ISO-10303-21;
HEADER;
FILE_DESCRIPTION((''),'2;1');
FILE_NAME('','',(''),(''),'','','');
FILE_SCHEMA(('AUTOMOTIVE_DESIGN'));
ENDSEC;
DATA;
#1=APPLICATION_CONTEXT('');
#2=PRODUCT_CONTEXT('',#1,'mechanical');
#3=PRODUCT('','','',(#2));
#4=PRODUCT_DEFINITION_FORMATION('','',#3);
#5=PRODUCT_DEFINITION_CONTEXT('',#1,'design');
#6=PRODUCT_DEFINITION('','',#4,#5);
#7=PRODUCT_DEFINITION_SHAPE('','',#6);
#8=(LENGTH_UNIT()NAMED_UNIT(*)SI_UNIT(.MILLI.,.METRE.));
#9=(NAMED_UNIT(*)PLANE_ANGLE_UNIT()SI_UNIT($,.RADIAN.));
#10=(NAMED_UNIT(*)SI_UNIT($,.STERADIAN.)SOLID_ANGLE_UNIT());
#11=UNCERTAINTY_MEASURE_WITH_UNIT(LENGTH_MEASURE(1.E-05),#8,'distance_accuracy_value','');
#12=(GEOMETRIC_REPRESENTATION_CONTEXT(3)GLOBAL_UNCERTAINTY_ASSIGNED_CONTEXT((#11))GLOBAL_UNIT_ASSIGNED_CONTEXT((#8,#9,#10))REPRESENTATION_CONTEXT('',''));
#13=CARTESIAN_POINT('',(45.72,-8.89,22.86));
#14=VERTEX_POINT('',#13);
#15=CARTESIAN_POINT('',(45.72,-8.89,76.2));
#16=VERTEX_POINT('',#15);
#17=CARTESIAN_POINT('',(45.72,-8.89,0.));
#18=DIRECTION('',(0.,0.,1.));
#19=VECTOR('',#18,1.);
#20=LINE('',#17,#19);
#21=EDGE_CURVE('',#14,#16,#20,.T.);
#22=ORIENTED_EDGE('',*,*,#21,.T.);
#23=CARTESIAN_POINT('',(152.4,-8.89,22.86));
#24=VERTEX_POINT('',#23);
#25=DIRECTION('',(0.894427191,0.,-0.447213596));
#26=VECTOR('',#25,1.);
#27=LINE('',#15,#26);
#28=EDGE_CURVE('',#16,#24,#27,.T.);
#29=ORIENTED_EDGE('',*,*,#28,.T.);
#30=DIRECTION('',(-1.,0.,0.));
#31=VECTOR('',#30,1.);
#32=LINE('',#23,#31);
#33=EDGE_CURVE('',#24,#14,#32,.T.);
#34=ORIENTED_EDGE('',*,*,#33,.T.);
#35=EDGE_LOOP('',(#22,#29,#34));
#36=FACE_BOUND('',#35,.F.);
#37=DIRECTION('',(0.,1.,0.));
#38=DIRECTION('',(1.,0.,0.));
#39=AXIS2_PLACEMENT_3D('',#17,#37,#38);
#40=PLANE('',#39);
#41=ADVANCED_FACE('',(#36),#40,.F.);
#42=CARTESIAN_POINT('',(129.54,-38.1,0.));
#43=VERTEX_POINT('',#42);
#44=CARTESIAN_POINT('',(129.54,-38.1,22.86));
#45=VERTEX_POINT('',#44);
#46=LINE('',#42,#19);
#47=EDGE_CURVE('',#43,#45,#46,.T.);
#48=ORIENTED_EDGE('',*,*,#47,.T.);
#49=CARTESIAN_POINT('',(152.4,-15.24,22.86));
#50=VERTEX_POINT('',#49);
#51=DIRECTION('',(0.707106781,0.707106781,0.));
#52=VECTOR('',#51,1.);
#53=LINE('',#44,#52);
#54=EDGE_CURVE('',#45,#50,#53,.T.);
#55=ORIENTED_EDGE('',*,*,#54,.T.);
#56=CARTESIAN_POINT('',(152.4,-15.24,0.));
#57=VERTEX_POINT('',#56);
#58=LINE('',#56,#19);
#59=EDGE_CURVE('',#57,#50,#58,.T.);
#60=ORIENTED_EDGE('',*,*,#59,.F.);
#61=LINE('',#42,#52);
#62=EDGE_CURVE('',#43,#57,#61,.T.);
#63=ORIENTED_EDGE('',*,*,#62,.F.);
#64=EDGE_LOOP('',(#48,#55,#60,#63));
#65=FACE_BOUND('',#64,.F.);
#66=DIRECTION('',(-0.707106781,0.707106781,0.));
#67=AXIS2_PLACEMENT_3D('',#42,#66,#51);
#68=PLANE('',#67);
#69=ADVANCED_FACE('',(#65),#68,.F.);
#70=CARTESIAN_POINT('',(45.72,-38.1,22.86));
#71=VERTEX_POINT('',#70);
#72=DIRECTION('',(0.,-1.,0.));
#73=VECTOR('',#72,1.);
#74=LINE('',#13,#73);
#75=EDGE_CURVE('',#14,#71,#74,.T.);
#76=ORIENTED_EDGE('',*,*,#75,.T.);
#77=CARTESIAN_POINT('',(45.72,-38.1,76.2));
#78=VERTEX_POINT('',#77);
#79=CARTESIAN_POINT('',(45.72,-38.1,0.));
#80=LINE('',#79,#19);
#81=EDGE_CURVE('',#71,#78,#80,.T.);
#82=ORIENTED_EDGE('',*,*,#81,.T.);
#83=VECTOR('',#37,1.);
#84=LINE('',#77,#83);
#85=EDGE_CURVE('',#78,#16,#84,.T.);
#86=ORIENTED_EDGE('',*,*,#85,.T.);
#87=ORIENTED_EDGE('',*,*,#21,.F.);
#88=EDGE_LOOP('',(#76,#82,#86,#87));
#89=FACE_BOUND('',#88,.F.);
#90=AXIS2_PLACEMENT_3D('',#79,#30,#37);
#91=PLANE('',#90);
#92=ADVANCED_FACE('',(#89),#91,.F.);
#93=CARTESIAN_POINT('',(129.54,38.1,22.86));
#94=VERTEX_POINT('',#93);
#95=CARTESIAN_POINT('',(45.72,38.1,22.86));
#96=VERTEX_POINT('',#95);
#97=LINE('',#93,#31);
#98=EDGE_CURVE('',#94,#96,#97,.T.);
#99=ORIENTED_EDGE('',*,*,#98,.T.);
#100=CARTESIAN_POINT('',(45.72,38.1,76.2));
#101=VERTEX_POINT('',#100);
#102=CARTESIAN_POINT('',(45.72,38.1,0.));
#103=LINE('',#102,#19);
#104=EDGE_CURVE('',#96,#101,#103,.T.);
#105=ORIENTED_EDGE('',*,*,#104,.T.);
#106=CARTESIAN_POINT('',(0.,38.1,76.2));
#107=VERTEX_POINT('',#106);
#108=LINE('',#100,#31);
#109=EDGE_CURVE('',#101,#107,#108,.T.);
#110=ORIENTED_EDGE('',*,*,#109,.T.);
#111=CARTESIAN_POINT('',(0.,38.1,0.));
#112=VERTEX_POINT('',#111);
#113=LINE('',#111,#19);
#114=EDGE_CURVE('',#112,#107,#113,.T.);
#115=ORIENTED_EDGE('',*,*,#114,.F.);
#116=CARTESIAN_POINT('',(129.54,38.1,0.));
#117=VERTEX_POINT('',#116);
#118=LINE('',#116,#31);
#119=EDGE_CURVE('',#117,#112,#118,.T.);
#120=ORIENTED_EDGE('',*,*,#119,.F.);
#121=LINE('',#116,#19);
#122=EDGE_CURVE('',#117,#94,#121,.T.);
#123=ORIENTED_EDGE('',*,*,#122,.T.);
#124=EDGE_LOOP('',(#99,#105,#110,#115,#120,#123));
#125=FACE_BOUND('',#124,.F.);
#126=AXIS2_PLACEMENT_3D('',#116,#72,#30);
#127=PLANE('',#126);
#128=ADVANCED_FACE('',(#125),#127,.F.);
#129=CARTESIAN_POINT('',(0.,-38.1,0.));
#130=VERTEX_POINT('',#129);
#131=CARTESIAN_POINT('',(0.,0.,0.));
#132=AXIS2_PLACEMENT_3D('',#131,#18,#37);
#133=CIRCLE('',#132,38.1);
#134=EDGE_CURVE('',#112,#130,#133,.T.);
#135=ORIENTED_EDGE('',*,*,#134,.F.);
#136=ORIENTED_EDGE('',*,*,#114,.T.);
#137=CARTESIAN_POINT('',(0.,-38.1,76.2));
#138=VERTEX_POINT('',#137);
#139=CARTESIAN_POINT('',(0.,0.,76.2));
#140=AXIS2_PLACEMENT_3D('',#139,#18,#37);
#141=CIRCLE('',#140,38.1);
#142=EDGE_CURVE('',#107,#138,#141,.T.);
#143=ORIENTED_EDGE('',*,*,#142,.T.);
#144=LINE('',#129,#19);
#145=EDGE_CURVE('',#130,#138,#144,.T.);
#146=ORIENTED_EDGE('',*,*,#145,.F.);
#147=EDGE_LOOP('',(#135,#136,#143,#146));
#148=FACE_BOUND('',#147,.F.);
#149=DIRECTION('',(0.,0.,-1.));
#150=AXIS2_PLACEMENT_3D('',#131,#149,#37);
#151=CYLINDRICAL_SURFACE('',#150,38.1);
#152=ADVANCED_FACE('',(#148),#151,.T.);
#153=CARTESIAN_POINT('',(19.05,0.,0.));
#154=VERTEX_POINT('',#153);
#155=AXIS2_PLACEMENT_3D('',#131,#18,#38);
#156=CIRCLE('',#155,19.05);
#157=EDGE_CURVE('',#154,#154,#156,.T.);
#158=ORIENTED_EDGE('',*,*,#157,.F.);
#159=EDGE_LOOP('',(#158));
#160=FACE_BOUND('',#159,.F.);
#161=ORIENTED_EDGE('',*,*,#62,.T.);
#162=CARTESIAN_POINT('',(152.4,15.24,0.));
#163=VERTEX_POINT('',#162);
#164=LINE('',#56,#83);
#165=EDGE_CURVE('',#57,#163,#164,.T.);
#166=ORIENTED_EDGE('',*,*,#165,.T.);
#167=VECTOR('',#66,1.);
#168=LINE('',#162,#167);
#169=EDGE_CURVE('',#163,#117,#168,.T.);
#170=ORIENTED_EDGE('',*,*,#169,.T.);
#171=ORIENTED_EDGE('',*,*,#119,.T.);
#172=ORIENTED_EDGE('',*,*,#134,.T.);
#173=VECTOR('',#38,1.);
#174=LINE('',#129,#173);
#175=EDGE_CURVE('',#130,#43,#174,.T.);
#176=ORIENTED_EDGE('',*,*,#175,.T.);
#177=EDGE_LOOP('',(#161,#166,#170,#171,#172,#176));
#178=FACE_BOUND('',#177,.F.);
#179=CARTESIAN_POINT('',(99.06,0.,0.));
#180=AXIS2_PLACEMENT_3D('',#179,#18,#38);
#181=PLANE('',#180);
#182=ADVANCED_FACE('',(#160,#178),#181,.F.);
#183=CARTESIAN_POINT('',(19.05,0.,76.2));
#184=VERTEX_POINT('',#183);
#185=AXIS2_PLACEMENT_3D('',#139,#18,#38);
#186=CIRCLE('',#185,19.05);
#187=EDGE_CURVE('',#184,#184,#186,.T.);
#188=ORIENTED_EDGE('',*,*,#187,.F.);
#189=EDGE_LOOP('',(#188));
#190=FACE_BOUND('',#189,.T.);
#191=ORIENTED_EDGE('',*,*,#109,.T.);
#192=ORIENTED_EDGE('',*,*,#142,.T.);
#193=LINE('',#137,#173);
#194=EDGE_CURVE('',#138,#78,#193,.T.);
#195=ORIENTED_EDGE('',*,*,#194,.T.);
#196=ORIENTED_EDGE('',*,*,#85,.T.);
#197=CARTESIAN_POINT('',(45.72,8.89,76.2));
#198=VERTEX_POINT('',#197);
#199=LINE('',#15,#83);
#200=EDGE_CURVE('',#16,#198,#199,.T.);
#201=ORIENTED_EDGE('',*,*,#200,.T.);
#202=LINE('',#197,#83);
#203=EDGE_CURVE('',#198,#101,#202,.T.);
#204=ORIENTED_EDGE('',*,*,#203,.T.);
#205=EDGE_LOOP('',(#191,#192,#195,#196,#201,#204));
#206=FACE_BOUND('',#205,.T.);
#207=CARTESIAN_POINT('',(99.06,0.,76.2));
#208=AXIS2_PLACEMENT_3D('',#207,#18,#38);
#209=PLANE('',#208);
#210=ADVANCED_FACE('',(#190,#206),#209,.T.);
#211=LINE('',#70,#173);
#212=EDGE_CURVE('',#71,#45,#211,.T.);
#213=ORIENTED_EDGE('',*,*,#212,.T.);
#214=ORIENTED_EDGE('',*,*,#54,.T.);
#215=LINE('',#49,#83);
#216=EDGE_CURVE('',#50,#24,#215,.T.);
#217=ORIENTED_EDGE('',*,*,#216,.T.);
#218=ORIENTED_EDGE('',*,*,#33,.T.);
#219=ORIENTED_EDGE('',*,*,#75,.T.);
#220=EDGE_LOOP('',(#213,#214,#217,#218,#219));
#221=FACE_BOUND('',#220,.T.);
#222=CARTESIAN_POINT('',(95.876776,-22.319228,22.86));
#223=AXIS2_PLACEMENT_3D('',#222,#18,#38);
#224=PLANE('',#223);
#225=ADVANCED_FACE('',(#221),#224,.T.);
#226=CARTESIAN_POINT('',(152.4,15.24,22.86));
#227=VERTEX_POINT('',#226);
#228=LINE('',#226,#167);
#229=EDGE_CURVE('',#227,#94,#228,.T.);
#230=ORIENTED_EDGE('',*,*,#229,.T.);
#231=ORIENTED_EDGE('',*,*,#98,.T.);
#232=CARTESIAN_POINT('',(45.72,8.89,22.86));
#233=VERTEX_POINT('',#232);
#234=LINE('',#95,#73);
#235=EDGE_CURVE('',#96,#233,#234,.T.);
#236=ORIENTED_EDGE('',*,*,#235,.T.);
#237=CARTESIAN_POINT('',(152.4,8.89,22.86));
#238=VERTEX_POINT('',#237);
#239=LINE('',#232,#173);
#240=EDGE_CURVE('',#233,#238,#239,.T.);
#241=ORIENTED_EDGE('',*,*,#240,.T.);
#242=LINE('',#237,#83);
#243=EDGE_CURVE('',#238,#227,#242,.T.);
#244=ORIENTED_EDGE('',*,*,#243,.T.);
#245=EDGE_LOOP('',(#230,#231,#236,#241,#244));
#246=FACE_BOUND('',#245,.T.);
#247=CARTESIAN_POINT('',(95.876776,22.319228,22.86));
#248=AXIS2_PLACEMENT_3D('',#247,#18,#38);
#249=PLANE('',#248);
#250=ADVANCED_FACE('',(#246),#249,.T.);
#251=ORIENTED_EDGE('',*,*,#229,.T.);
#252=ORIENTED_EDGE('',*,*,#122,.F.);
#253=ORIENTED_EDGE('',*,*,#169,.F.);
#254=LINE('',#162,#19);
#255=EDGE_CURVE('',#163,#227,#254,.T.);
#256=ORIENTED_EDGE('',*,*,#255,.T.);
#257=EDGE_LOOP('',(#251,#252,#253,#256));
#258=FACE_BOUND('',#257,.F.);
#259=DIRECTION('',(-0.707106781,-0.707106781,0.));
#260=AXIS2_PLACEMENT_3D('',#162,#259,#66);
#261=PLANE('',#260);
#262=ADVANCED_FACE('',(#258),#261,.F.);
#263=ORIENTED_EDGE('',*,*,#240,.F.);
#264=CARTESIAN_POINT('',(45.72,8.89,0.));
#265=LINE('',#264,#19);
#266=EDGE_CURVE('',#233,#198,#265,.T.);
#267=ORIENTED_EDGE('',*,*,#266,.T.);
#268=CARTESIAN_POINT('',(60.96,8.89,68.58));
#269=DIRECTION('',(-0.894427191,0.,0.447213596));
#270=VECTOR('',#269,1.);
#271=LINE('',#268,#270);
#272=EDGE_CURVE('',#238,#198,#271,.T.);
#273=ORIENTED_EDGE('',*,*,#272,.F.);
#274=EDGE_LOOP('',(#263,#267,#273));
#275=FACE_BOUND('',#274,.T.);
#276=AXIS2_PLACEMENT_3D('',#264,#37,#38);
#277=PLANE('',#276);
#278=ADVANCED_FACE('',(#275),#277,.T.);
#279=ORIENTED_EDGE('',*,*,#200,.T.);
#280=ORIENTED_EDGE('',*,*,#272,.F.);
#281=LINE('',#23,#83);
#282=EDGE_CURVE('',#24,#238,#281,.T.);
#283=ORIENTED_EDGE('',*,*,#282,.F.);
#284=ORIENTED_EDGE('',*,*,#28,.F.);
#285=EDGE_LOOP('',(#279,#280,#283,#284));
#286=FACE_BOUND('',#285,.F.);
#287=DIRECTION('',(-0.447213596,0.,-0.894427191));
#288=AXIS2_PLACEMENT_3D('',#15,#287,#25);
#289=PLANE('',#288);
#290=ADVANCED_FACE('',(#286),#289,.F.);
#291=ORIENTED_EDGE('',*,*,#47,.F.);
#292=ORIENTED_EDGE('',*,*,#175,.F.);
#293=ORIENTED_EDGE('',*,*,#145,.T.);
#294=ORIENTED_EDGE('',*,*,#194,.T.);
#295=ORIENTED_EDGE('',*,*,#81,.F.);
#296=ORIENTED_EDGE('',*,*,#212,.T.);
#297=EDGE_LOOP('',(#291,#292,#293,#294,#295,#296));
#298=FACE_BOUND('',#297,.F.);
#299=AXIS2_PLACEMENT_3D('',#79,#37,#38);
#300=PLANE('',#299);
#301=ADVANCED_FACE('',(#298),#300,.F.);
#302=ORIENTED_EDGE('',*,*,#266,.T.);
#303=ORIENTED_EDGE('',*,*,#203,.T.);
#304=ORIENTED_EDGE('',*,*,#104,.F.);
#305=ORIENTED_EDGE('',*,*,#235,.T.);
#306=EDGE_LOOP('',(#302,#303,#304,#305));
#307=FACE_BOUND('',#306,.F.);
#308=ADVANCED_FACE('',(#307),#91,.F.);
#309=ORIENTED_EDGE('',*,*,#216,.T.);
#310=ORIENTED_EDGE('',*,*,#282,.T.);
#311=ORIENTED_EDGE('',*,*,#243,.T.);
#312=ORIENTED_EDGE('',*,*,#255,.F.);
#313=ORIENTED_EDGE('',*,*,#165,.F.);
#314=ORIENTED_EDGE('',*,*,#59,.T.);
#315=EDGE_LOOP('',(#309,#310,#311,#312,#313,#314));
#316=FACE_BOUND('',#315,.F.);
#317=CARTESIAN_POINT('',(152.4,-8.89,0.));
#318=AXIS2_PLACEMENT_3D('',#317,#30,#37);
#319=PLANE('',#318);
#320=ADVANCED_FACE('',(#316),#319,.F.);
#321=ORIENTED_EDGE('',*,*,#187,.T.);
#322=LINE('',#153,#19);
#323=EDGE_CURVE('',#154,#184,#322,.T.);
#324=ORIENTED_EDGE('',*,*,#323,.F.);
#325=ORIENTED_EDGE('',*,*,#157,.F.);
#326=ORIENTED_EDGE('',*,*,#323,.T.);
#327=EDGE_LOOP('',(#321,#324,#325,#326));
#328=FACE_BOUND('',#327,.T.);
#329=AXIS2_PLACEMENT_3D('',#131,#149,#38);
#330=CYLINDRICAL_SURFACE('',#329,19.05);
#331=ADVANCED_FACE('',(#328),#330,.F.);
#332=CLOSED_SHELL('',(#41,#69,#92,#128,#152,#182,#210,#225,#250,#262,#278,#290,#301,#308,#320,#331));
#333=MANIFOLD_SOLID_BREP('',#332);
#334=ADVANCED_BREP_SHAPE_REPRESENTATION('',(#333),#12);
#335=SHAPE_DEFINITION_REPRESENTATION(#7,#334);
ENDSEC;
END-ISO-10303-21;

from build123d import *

# Parameters (mm, degrees)
F0_R     = 19.05
F1_DEPTH = 76.2
F2_DEPTH = 22.86
F3_DEPTH = 22.86
F0_W     = 106.68
F0_H     = 17.78
F4_DEPTH = 76.2
F6_DEPTH = 25.4


with BuildPart() as f1:
    # F0 (on Top) → F1 (new body)
    with BuildSketch(Plane.XY):
        with BuildLine():
            Line((45.72, 38.1), (0, 38.1))
            ThreePointArc((0, 38.1), (-38.1, 0), (0, -38.1))
            Line((0, -38.1), (45.72, -38.1))
            Line((45.72, -38.1), (45.72, -8.89))
            Line((45.72, -8.89), (45.72, 8.89))
            Line((45.72, 8.89), (45.72, 38.1))
        make_face()
        Circle(F0_R, mode=Mode.SUBTRACT)
    extrude(amount=F1_DEPTH)

    # F0 (on Top) → F2 (join)
    with BuildSketch(Plane.XY):
        Polygon((45.72, -8.89), (45.72, -38.1), (129.54, -38.1), (152.4, -15.24), (152.4, -8.89), align=None)
    extrude(amount=F2_DEPTH)

    # F0 (on Top) → F3 (join)
    with BuildSketch(Plane.XY):
        Polygon((129.54, 38.1), (45.72, 38.1), (45.72, 8.89), (152.4, 8.89), (152.4, 15.24), align=None)
    extrude(amount=F3_DEPTH)

    # F0 (on Top) → F4 (join)
    with BuildSketch(Plane.XY):
        with Locations((99.06, 0)):
            Rectangle(F0_W, F0_H)
    extrude(amount=F4_DEPTH)

    # F5 (on face) → F6 (cut)
    with BuildSketch(Plane.XZ.offset(8.89)):
        Polygon((152.4, 76.2), (45.72, 76.2), (152.4, 22.86), align=None)
    extrude(amount=-F6_DEPTH, mode=Mode.SUBTRACT)


solid = f1.part
